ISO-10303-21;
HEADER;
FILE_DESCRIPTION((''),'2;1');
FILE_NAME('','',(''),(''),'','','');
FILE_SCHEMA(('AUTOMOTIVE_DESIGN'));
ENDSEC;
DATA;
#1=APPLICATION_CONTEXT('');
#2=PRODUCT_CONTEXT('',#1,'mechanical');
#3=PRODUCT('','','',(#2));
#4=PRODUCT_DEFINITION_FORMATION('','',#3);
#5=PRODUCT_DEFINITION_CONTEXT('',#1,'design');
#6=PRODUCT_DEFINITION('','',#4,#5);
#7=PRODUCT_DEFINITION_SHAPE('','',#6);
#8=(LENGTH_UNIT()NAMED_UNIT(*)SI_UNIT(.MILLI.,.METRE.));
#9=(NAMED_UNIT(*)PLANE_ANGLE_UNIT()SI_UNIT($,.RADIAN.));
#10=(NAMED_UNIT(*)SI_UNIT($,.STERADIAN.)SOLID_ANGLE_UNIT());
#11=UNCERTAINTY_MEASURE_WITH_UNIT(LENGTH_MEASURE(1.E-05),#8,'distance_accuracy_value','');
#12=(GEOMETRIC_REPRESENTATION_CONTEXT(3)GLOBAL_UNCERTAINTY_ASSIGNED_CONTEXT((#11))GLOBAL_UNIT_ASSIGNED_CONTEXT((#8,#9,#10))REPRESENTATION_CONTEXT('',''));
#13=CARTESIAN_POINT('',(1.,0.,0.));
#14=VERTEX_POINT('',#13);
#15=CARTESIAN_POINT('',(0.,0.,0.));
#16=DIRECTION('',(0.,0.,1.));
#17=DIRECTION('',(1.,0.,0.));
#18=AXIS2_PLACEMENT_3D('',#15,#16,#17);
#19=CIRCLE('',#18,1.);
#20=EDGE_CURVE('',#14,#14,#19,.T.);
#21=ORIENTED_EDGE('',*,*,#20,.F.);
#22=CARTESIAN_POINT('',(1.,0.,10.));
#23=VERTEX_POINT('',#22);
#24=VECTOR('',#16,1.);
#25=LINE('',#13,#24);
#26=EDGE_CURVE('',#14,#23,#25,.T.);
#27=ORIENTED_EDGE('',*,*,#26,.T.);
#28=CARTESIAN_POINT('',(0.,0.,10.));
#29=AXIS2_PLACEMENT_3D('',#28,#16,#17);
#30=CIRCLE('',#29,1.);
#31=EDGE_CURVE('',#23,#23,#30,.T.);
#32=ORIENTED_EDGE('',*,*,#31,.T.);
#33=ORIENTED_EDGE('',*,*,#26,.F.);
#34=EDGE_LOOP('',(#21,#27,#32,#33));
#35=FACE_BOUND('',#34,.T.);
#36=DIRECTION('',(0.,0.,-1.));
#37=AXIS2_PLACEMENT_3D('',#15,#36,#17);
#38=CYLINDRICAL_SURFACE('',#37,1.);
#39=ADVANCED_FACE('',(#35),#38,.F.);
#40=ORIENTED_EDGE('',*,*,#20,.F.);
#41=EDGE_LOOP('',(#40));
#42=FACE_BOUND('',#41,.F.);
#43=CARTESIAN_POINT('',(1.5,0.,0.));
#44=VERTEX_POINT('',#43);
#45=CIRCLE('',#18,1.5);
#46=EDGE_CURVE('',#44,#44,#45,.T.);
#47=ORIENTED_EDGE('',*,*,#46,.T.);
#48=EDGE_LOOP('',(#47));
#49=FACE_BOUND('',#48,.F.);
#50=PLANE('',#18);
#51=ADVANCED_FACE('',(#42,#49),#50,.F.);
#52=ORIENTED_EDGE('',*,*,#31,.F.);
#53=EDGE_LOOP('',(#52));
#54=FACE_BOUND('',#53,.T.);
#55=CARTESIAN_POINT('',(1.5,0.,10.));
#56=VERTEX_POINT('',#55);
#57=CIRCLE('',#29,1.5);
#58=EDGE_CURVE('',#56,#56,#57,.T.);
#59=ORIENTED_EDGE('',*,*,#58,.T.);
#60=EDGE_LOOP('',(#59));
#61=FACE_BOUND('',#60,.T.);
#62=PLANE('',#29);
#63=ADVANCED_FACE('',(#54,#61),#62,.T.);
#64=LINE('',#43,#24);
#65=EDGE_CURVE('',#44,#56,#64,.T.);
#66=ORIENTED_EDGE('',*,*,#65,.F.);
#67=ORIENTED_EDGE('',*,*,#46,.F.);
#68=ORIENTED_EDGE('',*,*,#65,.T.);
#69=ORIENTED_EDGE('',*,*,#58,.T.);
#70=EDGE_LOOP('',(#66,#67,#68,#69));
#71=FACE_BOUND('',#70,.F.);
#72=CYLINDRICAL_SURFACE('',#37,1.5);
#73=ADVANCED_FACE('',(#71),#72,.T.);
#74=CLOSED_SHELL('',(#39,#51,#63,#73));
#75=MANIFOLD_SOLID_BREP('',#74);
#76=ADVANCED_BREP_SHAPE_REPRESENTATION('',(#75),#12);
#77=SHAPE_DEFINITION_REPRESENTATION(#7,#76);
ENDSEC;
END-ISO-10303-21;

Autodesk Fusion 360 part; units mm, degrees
sketch "草图1" plane through (0, 0, 0) normal (0, 0, 1) x (1, 0, 0)
  circle A0 centre (0, 0) radius 1.5
  circle A1 centre (0, 0) radius 1
  dimension "d1" = 3
  dimension "d2" = 2
extrude "拉伸1" add sketch "草图1" along normal blind 10
